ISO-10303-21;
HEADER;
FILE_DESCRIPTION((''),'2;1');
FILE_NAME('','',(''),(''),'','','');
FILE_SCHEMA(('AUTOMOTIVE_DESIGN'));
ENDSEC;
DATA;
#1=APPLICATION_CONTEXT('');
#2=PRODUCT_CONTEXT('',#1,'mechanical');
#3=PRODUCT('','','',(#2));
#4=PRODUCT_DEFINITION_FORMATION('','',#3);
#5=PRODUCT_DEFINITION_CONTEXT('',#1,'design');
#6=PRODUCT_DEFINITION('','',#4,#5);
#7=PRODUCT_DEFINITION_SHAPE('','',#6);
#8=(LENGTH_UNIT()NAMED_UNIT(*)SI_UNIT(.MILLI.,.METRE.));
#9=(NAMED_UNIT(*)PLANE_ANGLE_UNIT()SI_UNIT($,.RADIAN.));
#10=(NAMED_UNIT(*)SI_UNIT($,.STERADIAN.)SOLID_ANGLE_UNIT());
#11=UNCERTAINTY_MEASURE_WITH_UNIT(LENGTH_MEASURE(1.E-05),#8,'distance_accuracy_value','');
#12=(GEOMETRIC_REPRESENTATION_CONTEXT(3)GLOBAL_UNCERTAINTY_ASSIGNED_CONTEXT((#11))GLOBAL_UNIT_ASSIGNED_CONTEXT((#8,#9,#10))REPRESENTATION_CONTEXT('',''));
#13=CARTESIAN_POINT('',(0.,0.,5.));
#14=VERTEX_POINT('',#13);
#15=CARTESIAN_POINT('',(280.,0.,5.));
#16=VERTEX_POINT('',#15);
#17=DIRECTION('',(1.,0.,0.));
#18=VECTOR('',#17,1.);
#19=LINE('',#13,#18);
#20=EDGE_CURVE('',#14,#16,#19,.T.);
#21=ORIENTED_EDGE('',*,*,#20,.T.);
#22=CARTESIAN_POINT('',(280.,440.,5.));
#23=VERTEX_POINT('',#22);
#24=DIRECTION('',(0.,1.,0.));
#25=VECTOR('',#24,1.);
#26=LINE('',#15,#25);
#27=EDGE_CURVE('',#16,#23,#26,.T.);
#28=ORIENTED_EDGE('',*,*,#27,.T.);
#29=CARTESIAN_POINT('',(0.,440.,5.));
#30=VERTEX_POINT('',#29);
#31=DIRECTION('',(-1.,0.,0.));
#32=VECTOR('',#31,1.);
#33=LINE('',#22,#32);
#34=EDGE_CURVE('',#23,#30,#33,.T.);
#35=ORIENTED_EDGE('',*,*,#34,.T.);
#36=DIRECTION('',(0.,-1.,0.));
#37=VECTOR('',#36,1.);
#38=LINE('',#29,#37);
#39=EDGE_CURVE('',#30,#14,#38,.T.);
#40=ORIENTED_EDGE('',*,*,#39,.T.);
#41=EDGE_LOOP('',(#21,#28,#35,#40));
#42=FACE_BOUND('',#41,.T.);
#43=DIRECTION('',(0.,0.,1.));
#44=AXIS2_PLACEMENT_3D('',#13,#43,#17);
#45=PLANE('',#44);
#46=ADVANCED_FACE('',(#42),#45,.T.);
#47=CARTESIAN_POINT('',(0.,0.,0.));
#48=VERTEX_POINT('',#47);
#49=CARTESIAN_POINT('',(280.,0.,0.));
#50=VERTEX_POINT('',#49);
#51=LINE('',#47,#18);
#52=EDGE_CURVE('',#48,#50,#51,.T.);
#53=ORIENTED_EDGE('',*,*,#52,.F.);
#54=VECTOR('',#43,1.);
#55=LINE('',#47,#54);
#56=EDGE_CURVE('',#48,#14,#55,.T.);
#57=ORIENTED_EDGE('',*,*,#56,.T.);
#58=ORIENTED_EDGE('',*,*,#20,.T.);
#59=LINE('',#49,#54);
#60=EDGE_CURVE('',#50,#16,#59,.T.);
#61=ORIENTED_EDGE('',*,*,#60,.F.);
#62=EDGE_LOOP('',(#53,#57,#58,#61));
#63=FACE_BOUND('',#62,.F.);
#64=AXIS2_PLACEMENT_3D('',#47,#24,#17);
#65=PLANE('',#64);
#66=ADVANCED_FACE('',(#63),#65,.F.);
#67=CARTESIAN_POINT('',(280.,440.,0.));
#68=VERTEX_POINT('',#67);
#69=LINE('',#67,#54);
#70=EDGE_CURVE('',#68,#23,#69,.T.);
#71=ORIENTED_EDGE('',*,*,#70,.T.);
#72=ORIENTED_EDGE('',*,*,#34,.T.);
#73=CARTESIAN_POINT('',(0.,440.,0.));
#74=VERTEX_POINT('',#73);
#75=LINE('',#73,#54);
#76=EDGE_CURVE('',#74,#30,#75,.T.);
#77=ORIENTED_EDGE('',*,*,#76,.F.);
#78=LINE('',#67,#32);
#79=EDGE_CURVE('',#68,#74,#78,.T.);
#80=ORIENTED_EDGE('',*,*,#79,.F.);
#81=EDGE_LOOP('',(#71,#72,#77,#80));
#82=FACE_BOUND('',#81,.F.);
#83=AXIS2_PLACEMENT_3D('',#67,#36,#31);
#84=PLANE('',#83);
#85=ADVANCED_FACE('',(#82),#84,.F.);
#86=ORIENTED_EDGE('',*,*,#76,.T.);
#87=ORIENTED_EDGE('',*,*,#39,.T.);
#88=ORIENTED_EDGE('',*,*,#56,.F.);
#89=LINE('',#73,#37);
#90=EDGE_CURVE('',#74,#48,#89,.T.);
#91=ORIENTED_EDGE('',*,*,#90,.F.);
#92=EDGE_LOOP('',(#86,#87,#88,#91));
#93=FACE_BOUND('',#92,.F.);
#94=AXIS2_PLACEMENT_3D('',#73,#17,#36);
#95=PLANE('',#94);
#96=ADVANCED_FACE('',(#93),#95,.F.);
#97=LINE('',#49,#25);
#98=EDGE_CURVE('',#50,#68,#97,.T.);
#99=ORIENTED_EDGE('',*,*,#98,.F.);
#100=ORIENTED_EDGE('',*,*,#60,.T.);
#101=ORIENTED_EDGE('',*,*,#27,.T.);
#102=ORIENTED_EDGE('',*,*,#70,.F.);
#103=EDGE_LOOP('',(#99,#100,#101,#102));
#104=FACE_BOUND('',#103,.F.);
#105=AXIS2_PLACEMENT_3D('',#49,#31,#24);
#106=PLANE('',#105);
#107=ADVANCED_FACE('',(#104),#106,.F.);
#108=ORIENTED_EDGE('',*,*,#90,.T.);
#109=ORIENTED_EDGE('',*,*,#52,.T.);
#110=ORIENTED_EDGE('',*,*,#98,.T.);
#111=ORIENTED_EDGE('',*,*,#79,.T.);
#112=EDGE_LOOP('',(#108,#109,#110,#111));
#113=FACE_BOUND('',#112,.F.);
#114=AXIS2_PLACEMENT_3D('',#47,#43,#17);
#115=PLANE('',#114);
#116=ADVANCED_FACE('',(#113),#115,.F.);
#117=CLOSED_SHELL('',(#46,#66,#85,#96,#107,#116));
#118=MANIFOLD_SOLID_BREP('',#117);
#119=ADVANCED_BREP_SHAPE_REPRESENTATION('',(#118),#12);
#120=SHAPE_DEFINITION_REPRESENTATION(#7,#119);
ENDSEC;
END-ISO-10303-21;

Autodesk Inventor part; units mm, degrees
ref_plane "YZ Plane" through (0, 0, 0) normal (1, 0, 0) x (0, 1, 0)
ref_plane "XZ Plane" through (0, 0, 0) normal (0, 1, 0) x (-1, 0, 0)
ref_plane "XY Plane" through (0, 0, 0) normal (0, 0, 1) x (1, 0, 0)
sketch "Sketch1" plane through (0, 0, 0) normal (0, 0, 1) x (1, 0, 0)
  line L0 (0, 0) -> (280, 0)
  line L1 (280, 0) -> (280, 440)
  line L2 (280, 440) -> (0, 440)
  line L3 (0, 440) -> (0, 0)
  dimension "d0" = 280
  dimension "d1" = 440
extrude "Extrusion1" add sketch "Sketch1" along normal blind 5
properties part number "Suporte Painel1"
